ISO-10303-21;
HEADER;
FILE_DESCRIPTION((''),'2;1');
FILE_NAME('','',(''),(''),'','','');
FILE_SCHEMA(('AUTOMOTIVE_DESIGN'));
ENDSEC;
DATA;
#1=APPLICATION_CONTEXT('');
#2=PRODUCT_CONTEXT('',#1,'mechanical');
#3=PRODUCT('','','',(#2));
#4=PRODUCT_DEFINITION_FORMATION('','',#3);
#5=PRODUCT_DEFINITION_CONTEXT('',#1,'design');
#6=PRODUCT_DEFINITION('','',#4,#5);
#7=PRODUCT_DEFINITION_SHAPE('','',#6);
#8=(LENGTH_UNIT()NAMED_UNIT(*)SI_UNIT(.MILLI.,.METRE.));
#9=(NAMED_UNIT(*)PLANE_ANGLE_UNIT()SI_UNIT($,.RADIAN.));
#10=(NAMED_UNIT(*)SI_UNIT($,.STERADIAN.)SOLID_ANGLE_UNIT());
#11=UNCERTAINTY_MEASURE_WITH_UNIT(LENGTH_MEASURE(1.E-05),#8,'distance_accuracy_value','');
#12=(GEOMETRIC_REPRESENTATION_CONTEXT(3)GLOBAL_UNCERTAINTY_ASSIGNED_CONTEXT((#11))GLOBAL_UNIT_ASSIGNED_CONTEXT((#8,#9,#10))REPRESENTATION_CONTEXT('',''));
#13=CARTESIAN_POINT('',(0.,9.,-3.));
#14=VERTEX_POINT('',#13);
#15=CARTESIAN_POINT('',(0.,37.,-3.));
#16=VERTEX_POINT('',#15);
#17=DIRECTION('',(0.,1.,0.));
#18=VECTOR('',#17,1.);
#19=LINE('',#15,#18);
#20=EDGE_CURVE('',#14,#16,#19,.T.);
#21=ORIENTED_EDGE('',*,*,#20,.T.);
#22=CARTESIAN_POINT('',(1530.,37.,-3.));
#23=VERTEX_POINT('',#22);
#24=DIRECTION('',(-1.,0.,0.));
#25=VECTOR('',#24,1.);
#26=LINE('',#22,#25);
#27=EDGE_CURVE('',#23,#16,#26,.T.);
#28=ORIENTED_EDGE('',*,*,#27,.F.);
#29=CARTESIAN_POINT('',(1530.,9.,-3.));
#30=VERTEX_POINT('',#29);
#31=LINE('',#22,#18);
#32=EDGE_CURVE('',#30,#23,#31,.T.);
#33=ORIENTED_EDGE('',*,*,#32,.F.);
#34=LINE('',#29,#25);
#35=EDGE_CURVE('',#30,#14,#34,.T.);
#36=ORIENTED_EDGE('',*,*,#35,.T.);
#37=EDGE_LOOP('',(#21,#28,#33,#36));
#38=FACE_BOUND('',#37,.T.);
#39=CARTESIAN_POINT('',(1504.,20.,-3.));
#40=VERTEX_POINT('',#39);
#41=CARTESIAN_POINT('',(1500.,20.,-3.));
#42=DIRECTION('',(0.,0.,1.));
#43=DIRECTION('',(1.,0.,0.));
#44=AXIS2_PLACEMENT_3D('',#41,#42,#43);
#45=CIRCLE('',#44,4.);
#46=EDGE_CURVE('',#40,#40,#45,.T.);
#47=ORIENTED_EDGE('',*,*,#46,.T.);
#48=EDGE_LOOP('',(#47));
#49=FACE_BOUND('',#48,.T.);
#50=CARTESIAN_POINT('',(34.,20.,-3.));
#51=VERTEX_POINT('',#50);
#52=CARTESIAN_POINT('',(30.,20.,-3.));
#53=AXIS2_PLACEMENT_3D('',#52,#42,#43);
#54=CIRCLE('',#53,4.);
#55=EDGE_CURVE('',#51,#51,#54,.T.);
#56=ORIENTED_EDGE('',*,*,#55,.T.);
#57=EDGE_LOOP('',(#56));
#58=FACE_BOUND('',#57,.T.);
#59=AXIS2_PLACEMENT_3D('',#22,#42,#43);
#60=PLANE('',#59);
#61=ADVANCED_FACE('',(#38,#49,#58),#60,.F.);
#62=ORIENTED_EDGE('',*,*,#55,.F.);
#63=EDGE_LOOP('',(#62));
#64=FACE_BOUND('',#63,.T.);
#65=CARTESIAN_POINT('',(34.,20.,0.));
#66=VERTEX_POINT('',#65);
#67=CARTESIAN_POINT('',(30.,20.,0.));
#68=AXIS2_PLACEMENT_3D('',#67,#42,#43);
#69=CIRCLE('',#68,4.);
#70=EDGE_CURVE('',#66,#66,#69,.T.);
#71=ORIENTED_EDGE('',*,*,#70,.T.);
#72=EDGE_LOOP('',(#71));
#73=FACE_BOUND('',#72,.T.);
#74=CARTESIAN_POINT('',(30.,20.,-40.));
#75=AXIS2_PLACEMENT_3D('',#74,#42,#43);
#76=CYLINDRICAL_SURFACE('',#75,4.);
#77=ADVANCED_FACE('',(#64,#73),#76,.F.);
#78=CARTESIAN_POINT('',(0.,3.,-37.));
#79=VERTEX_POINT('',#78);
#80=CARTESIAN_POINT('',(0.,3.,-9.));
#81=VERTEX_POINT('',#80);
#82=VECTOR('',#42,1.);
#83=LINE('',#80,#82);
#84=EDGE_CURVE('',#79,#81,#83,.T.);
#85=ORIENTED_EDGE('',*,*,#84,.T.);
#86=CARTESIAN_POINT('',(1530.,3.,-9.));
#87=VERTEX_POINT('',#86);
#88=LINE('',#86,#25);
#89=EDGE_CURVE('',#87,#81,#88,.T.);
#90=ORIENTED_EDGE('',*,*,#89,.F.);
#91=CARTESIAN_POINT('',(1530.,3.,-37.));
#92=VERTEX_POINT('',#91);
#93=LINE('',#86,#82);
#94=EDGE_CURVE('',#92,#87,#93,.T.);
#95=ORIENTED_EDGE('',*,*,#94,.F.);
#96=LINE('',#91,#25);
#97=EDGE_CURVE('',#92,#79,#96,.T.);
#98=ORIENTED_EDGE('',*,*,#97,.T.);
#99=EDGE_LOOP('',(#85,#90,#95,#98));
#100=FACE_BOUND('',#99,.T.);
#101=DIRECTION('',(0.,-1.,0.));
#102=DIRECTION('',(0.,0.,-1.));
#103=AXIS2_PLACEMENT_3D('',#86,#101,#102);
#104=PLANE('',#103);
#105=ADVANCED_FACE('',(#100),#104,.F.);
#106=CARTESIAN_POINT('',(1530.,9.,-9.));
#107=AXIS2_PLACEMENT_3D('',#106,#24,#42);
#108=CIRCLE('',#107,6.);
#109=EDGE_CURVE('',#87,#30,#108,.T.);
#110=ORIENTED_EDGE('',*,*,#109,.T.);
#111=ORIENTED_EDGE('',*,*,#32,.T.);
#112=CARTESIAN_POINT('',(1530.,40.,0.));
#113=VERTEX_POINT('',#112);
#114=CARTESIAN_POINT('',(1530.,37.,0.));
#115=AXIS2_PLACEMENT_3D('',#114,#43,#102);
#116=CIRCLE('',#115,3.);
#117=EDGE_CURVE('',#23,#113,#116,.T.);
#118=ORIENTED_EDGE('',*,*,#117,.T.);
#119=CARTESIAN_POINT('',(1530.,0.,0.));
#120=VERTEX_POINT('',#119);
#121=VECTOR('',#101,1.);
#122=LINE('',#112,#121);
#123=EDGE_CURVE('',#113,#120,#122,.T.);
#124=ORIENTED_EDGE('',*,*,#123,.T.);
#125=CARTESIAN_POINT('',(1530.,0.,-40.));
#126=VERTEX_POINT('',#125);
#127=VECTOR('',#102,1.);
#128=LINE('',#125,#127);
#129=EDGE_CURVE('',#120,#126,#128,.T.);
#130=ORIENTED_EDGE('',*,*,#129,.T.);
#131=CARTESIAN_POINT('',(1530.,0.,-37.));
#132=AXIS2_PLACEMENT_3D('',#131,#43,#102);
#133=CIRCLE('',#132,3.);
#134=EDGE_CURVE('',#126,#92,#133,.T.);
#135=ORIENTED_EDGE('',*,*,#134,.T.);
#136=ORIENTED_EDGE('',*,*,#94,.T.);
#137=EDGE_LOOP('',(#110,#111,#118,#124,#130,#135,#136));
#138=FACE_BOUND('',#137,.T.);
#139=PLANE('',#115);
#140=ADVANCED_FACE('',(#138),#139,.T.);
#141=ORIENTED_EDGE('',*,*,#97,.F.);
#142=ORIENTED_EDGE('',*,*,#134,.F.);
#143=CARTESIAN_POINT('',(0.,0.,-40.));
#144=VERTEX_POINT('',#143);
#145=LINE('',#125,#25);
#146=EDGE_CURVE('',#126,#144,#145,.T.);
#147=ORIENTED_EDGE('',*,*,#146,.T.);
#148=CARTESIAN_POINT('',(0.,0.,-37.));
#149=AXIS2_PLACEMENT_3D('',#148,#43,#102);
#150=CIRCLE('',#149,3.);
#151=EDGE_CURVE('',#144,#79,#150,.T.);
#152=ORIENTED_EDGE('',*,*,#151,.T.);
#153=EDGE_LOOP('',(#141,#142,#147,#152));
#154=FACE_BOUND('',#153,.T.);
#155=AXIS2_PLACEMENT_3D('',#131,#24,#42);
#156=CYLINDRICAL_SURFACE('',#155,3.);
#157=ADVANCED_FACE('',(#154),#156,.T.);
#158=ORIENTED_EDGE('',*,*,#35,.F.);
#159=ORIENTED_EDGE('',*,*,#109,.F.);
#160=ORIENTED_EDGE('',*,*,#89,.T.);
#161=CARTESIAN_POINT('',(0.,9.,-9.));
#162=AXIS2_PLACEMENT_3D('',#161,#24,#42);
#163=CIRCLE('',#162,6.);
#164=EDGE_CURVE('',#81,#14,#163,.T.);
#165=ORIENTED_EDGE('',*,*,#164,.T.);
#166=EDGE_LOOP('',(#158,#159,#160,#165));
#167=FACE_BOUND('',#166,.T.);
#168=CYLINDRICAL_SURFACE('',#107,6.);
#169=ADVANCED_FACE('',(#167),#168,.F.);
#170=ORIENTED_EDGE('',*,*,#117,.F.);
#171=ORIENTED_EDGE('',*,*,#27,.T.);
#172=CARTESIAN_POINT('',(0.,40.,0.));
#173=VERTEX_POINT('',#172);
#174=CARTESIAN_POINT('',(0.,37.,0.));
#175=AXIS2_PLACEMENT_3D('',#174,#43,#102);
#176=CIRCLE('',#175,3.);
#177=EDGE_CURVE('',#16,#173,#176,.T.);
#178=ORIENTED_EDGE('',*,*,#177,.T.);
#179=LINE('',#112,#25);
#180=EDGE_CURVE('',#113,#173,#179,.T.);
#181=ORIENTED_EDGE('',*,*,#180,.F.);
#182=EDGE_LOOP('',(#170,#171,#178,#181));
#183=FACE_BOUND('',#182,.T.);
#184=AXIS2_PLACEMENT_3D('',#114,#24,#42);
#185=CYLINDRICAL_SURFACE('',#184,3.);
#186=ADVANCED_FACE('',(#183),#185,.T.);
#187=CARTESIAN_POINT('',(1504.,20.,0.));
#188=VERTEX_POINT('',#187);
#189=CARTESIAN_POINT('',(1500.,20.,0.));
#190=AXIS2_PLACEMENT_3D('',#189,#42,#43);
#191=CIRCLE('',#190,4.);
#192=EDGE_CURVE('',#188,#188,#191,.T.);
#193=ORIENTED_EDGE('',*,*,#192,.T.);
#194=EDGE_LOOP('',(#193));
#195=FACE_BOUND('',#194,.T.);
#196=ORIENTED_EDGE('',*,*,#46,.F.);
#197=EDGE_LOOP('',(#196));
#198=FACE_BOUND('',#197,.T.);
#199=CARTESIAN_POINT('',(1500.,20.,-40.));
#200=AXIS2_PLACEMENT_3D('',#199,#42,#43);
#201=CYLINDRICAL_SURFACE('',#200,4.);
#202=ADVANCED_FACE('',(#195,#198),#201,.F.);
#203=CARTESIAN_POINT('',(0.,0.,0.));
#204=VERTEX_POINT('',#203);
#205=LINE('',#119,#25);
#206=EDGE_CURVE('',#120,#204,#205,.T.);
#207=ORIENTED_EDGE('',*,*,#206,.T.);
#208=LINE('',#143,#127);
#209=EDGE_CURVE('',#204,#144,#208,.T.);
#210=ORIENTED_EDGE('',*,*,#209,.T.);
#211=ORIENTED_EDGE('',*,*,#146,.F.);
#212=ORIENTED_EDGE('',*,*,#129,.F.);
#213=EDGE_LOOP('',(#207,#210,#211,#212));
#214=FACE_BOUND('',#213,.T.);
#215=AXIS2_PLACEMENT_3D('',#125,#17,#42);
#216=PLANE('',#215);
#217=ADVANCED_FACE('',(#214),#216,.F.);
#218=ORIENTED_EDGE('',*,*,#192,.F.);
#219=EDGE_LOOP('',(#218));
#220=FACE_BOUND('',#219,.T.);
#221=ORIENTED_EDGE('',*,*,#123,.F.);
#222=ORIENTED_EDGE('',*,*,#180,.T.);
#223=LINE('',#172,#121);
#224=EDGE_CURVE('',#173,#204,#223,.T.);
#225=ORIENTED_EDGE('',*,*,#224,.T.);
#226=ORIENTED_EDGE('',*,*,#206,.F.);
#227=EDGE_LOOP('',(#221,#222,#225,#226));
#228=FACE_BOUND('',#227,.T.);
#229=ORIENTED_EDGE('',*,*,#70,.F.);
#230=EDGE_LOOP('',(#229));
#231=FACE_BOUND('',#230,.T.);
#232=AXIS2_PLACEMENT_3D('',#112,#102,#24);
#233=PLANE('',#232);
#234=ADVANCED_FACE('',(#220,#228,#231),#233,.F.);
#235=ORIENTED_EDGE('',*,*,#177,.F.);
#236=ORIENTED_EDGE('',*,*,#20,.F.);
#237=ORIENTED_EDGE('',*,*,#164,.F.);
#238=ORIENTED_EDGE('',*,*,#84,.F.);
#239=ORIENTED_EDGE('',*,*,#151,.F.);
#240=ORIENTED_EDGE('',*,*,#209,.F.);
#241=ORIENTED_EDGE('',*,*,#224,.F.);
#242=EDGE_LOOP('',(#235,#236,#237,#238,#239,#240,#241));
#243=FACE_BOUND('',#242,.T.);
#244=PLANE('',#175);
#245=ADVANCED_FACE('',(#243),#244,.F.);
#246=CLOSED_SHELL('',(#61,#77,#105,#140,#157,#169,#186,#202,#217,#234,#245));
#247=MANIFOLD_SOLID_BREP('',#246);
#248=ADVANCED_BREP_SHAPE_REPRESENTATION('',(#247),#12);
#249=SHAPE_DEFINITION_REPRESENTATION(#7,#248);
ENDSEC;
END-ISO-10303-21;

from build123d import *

# Parameters (mm, degrees)
L_ANGLE_EQUAL_40X40X3_5_DEPTH = 1530
SKETCH16_R                    = 4
CUT_EXTRUDE1_DEPTH            = 1532.045394494


with BuildPart() as part:
    # Sketch13 → L angle (equal) 40X40X3(5) (new body)
    with BuildSketch(Plane(origin=(0, 0, 0), x_dir=(0, 0, -1), z_dir=(1, 0, 0))):
        with BuildLine():
            Line((0, 40), (0, 0))
            Line((0, 0), (40, 0))
            ThreePointArc((40, 0), (39.121320344, 2.121320344), (37, 3))
            Line((37, 3), (9, 3))
            ThreePointArc((9, 3), (4.757359313, 4.757359313), (3, 9))
            Line((3, 9), (3, 37))
            ThreePointArc((3, 37), (2.121320344, 39.121320344), (0, 40))
        make_face()
    extrude(amount=L_ANGLE_EQUAL_40X40X3_5_DEPTH)

    # Sketch16 → Cut-Extrude1 (cut, through all)
    with BuildSketch(Plane.XY):
        with Locations((1500, 20)):
            Circle(SKETCH16_R)
        with Locations((30, 20)):
            Circle(SKETCH16_R)
    extrude(amount=-CUT_EXTRUDE1_DEPTH, mode=Mode.SUBTRACT)


solid = part.part
